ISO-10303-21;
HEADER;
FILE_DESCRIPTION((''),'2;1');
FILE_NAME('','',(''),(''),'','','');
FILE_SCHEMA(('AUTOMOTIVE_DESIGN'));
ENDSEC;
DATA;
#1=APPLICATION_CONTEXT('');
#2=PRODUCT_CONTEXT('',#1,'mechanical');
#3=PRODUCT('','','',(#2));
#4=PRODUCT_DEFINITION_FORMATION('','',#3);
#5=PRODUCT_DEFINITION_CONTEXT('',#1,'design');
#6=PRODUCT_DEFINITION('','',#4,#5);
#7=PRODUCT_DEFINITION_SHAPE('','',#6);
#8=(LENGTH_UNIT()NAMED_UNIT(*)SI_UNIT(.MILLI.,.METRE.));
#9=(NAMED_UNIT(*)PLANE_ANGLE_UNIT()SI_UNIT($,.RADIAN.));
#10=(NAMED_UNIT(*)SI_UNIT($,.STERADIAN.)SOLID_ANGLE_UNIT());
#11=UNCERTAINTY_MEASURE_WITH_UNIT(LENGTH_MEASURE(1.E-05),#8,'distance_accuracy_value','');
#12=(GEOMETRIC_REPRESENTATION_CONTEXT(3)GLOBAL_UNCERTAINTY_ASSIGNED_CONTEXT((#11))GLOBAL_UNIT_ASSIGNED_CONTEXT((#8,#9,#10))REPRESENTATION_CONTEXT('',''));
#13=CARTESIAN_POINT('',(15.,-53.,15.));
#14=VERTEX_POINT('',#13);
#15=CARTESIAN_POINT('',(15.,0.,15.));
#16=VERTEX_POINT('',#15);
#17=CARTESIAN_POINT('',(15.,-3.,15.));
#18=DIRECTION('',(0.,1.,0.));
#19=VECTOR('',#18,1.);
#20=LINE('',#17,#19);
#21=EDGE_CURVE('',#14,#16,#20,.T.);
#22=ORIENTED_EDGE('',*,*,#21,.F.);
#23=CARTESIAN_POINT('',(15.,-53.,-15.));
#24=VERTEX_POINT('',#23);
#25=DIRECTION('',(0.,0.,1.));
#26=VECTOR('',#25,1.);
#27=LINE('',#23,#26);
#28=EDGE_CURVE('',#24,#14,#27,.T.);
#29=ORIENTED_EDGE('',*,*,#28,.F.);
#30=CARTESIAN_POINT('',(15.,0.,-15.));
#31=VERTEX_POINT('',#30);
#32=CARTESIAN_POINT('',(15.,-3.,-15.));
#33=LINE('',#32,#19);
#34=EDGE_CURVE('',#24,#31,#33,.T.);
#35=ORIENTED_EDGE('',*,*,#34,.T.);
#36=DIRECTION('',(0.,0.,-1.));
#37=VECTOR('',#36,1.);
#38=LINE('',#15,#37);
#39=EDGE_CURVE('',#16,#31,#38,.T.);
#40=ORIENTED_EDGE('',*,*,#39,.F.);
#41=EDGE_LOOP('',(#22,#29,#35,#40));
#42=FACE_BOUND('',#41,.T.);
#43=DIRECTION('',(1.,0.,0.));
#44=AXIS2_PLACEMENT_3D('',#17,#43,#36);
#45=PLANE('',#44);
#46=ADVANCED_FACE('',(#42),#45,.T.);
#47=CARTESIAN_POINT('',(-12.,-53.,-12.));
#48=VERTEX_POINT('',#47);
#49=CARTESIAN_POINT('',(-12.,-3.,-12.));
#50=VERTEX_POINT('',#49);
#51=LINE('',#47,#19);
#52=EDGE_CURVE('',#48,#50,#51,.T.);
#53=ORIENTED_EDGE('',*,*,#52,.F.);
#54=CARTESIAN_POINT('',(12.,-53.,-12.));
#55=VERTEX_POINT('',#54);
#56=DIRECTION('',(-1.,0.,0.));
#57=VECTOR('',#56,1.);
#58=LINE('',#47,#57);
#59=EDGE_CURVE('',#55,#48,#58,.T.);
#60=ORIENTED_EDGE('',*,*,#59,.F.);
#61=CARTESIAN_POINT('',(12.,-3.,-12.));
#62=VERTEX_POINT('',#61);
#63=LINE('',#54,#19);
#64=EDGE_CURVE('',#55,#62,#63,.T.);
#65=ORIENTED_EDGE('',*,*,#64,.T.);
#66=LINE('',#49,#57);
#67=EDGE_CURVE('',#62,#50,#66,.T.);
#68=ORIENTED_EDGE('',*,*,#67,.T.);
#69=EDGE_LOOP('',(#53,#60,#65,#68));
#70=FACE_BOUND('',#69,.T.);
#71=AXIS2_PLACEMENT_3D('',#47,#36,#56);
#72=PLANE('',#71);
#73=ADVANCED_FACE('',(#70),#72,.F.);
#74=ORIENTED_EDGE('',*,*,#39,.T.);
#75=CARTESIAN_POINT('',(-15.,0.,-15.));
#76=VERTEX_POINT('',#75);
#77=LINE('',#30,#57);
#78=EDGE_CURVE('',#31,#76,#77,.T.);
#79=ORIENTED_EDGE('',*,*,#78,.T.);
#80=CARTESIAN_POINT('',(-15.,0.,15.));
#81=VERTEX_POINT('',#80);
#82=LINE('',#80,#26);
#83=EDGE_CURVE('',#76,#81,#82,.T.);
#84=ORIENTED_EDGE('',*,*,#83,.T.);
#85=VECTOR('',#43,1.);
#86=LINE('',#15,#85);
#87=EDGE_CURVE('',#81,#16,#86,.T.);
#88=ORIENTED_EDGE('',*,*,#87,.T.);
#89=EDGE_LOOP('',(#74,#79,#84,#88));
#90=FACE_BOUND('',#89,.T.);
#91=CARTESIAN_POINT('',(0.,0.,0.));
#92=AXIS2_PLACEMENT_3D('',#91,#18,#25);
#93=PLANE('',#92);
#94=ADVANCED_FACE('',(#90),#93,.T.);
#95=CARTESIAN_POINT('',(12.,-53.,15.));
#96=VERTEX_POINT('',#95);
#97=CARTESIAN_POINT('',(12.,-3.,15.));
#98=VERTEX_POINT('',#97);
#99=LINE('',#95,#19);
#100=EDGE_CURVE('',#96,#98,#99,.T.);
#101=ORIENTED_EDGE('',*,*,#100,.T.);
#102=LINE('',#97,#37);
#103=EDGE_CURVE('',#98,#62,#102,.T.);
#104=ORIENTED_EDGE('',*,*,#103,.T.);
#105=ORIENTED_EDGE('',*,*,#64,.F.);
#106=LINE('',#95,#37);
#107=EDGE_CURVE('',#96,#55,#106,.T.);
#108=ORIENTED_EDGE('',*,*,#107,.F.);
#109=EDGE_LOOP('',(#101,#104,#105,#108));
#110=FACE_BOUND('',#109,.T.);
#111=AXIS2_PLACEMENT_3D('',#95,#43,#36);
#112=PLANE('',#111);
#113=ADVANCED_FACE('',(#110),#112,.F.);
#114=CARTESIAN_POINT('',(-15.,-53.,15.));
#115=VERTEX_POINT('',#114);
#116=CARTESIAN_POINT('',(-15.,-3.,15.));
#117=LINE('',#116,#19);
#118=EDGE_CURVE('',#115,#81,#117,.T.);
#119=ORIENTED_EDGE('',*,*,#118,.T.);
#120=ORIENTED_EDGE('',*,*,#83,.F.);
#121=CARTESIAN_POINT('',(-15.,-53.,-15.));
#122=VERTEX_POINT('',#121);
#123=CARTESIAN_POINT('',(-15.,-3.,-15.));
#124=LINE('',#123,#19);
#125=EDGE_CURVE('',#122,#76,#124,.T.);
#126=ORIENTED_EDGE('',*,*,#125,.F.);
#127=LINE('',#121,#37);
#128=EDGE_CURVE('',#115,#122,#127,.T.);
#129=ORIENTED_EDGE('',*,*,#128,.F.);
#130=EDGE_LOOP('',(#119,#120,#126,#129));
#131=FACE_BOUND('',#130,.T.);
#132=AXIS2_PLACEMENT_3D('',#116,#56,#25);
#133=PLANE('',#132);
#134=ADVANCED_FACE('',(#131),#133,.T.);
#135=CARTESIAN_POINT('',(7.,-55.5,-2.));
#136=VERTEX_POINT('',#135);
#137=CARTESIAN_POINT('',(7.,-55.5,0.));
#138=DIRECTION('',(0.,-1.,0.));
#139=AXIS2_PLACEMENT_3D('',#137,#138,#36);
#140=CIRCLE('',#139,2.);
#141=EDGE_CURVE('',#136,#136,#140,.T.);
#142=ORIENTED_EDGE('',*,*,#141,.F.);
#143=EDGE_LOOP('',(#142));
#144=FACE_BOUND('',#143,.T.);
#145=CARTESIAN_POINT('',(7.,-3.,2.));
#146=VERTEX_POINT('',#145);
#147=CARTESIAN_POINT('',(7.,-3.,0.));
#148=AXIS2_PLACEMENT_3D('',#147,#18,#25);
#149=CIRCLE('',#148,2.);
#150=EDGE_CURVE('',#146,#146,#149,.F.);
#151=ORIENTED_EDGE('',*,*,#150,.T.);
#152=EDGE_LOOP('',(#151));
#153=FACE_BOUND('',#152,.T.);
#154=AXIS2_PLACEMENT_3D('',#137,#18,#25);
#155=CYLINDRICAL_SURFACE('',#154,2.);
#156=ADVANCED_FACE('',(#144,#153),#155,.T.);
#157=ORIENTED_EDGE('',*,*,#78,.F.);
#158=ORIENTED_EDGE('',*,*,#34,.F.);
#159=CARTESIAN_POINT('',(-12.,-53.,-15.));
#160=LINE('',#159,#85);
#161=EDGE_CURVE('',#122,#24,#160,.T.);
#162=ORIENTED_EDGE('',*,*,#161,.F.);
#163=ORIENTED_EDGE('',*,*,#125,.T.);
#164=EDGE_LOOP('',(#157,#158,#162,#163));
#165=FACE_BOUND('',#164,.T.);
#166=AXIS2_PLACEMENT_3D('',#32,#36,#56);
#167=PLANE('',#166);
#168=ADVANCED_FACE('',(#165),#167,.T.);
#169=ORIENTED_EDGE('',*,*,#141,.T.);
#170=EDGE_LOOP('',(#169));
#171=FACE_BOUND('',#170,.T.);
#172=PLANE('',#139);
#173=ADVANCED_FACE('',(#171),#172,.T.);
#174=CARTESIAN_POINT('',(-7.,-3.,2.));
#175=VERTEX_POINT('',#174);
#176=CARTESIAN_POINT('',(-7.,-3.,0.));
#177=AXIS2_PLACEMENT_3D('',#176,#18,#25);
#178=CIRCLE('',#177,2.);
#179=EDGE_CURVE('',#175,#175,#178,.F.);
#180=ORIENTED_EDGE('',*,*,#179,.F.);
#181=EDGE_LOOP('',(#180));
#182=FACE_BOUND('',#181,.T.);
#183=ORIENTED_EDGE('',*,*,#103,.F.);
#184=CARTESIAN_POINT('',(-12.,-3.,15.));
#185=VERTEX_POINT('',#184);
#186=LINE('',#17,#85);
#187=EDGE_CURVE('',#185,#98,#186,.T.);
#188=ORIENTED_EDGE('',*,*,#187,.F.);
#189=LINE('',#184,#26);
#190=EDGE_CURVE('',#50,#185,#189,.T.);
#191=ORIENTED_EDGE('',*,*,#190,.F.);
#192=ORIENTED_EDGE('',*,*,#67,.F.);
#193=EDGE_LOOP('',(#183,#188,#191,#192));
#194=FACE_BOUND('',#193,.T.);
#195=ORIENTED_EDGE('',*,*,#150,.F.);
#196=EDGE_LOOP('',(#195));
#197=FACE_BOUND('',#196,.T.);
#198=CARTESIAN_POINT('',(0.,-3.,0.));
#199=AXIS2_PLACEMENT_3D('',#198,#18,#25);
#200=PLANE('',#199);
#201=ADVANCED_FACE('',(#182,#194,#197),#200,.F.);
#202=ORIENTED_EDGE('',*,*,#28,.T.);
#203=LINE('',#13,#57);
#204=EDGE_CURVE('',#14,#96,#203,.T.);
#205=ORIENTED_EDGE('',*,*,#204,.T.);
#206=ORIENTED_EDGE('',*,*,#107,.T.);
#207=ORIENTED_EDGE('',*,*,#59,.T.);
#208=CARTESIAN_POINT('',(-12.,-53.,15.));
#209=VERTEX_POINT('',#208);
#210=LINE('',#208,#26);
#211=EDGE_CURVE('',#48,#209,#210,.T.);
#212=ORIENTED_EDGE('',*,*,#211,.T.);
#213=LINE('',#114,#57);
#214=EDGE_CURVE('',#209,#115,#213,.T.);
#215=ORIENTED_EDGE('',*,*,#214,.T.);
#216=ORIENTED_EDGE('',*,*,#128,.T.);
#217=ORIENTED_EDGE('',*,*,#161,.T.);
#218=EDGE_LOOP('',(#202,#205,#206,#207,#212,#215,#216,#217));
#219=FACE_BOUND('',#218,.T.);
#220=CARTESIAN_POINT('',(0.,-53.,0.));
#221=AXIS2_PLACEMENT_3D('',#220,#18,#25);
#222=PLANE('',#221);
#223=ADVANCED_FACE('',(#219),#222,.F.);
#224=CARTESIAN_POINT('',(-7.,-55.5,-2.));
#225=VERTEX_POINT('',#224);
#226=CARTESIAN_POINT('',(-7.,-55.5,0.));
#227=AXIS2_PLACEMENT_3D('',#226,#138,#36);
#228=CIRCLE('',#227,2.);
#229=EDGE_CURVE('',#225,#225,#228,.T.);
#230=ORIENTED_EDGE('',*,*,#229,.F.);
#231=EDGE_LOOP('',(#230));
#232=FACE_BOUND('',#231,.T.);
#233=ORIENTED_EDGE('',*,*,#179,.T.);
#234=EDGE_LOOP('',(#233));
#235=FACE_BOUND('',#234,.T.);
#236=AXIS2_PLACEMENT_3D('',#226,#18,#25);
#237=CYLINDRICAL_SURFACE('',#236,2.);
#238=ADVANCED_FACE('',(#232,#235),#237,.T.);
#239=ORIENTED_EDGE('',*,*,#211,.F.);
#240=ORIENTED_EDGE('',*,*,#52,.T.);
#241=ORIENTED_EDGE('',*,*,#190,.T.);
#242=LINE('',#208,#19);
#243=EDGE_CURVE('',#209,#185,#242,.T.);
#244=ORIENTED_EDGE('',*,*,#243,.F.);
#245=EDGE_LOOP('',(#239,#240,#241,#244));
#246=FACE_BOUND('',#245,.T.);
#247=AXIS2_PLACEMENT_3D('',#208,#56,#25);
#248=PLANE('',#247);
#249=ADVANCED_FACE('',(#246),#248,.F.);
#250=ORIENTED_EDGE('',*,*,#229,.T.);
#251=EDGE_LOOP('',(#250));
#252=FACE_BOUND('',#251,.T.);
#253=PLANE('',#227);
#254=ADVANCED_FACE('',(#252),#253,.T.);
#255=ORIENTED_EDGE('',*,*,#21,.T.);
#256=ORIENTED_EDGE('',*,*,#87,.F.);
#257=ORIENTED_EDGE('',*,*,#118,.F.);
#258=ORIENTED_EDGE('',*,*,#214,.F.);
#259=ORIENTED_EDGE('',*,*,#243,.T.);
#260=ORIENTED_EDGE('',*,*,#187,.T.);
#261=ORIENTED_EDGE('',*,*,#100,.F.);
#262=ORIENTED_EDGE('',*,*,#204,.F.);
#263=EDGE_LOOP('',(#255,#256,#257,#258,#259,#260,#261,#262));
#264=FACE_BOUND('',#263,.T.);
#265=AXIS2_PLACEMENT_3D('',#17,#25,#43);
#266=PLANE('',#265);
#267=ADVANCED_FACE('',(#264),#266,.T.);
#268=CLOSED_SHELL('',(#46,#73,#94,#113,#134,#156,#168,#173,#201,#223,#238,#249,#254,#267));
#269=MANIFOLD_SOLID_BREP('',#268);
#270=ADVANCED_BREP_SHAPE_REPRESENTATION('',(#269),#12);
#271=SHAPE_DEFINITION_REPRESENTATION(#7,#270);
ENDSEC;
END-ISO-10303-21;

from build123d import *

# Parameters (mm, degrees)
CROQUIS1_W              = 30
CROQUIS1_H              = 30
SALIENTE_EXTRUIR2_DEPTH = 3
SALIENTE_EXTRUIR3_DEPTH = 50
CROQUIS3_R              = 2
SALIENTE_EXTRUIR4_DEPTH = 52.5


with BuildPart() as part:
    # Croquis1 → Saliente-Extruir2 (new body)
    with BuildSketch(Plane(origin=(0, 0, 0), x_dir=(1, 0, 0), z_dir=(0, 1, 0))):
        Rectangle(CROQUIS1_W, CROQUIS1_H)
    extrude(amount=-SALIENTE_EXTRUIR2_DEPTH)

    # Croquis2 → Saliente-Extruir3 (add)
    with BuildSketch(Plane.XZ.offset(3)):
        Polygon((-15, 15), (-12, 15), (-12, -12), (12, -12), (12, 15), (15, 15), (15, -15), (12, -15), (-12, -15), (-15, -15), align=None)
    extrude(amount=SALIENTE_EXTRUIR3_DEPTH)

    # Croquis3 → Saliente-Extruir4 (add)
    with BuildSketch(Plane.XZ.offset(3)):
        with Locations(Location((-7, 0, 0), (0, 0, 90))):
            Circle(CROQUIS3_R)
        with Locations(Location((7, 0, 0), (0, 0, 90))):
            Circle(CROQUIS3_R)
    extrude(amount=SALIENTE_EXTRUIR4_DEPTH)


solid = part.part
